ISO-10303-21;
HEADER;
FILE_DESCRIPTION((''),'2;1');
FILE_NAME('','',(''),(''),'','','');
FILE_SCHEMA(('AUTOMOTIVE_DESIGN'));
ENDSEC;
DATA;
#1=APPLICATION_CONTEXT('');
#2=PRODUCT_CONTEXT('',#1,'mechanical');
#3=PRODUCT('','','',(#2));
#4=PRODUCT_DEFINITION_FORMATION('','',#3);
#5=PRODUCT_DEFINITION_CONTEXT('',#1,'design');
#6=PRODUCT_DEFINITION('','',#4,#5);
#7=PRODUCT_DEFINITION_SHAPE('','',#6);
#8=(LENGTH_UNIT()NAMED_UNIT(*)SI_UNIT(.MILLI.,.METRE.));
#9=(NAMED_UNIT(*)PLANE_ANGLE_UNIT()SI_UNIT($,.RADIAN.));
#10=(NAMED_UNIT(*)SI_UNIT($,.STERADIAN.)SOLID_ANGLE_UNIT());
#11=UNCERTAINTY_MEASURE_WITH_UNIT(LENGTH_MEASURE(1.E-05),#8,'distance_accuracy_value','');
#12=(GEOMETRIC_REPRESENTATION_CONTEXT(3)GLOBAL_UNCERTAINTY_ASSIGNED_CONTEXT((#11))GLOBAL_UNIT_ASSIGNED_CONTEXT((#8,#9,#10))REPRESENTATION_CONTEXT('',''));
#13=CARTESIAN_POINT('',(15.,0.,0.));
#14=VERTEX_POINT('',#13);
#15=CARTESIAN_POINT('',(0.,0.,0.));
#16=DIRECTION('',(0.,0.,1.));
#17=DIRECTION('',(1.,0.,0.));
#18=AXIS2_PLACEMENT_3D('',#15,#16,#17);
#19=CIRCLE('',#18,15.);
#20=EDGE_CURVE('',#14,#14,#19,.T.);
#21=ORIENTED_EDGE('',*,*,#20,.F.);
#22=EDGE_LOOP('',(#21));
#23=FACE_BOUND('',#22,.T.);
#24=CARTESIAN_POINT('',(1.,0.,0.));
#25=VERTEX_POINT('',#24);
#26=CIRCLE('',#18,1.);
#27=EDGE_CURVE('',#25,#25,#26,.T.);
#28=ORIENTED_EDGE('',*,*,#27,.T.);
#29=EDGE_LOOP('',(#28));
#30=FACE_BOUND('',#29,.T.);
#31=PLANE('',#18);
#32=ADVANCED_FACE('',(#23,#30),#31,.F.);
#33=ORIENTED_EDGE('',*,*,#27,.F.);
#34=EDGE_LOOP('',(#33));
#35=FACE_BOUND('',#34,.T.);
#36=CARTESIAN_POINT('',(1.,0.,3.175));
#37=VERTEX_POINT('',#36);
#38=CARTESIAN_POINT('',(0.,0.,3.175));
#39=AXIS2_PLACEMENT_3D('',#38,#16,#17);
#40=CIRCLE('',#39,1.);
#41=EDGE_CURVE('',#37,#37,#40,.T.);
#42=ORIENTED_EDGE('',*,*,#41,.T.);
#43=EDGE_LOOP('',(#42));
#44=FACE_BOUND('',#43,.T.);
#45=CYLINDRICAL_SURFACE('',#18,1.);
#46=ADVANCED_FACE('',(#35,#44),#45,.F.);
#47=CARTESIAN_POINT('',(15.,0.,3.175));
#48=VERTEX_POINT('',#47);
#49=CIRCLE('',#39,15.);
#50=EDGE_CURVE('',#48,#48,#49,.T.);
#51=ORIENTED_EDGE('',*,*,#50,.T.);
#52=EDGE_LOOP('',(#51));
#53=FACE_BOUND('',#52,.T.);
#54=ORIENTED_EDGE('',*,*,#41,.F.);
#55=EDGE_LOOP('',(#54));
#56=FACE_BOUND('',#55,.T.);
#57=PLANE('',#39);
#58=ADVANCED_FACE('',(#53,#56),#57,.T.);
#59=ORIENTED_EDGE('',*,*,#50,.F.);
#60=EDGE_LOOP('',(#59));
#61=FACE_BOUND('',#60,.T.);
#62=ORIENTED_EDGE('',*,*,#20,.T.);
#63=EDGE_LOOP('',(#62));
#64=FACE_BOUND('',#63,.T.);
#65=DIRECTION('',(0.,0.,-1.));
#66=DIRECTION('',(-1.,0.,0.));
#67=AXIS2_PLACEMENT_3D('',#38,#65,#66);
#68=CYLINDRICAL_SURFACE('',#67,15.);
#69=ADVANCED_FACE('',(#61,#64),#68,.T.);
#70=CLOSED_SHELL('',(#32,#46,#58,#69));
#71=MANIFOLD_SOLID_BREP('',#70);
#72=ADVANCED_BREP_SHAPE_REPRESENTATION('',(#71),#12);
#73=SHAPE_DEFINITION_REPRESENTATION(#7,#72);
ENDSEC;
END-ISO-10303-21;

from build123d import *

# Parameters (mm, degrees)
SKETCH1_R           = 15
BOSS_EXTRUDE1_DEPTH = 3.175
SKETCH2_R           = 1
CUT_EXTRUDE1_DEPTH  = 3.175


with BuildPart() as part:
    # Sketch1 → Boss-Extrude1 (new body)
    with BuildSketch(Plane.XY):
        Circle(SKETCH1_R)
    extrude(amount=BOSS_EXTRUDE1_DEPTH)

    # Sketch2 → Cut-Extrude1 (cut)
    with BuildSketch(Plane.XY.offset(3.175)):
        Circle(SKETCH2_R)
    extrude(amount=-CUT_EXTRUDE1_DEPTH, mode=Mode.SUBTRACT)


solid = part.part
